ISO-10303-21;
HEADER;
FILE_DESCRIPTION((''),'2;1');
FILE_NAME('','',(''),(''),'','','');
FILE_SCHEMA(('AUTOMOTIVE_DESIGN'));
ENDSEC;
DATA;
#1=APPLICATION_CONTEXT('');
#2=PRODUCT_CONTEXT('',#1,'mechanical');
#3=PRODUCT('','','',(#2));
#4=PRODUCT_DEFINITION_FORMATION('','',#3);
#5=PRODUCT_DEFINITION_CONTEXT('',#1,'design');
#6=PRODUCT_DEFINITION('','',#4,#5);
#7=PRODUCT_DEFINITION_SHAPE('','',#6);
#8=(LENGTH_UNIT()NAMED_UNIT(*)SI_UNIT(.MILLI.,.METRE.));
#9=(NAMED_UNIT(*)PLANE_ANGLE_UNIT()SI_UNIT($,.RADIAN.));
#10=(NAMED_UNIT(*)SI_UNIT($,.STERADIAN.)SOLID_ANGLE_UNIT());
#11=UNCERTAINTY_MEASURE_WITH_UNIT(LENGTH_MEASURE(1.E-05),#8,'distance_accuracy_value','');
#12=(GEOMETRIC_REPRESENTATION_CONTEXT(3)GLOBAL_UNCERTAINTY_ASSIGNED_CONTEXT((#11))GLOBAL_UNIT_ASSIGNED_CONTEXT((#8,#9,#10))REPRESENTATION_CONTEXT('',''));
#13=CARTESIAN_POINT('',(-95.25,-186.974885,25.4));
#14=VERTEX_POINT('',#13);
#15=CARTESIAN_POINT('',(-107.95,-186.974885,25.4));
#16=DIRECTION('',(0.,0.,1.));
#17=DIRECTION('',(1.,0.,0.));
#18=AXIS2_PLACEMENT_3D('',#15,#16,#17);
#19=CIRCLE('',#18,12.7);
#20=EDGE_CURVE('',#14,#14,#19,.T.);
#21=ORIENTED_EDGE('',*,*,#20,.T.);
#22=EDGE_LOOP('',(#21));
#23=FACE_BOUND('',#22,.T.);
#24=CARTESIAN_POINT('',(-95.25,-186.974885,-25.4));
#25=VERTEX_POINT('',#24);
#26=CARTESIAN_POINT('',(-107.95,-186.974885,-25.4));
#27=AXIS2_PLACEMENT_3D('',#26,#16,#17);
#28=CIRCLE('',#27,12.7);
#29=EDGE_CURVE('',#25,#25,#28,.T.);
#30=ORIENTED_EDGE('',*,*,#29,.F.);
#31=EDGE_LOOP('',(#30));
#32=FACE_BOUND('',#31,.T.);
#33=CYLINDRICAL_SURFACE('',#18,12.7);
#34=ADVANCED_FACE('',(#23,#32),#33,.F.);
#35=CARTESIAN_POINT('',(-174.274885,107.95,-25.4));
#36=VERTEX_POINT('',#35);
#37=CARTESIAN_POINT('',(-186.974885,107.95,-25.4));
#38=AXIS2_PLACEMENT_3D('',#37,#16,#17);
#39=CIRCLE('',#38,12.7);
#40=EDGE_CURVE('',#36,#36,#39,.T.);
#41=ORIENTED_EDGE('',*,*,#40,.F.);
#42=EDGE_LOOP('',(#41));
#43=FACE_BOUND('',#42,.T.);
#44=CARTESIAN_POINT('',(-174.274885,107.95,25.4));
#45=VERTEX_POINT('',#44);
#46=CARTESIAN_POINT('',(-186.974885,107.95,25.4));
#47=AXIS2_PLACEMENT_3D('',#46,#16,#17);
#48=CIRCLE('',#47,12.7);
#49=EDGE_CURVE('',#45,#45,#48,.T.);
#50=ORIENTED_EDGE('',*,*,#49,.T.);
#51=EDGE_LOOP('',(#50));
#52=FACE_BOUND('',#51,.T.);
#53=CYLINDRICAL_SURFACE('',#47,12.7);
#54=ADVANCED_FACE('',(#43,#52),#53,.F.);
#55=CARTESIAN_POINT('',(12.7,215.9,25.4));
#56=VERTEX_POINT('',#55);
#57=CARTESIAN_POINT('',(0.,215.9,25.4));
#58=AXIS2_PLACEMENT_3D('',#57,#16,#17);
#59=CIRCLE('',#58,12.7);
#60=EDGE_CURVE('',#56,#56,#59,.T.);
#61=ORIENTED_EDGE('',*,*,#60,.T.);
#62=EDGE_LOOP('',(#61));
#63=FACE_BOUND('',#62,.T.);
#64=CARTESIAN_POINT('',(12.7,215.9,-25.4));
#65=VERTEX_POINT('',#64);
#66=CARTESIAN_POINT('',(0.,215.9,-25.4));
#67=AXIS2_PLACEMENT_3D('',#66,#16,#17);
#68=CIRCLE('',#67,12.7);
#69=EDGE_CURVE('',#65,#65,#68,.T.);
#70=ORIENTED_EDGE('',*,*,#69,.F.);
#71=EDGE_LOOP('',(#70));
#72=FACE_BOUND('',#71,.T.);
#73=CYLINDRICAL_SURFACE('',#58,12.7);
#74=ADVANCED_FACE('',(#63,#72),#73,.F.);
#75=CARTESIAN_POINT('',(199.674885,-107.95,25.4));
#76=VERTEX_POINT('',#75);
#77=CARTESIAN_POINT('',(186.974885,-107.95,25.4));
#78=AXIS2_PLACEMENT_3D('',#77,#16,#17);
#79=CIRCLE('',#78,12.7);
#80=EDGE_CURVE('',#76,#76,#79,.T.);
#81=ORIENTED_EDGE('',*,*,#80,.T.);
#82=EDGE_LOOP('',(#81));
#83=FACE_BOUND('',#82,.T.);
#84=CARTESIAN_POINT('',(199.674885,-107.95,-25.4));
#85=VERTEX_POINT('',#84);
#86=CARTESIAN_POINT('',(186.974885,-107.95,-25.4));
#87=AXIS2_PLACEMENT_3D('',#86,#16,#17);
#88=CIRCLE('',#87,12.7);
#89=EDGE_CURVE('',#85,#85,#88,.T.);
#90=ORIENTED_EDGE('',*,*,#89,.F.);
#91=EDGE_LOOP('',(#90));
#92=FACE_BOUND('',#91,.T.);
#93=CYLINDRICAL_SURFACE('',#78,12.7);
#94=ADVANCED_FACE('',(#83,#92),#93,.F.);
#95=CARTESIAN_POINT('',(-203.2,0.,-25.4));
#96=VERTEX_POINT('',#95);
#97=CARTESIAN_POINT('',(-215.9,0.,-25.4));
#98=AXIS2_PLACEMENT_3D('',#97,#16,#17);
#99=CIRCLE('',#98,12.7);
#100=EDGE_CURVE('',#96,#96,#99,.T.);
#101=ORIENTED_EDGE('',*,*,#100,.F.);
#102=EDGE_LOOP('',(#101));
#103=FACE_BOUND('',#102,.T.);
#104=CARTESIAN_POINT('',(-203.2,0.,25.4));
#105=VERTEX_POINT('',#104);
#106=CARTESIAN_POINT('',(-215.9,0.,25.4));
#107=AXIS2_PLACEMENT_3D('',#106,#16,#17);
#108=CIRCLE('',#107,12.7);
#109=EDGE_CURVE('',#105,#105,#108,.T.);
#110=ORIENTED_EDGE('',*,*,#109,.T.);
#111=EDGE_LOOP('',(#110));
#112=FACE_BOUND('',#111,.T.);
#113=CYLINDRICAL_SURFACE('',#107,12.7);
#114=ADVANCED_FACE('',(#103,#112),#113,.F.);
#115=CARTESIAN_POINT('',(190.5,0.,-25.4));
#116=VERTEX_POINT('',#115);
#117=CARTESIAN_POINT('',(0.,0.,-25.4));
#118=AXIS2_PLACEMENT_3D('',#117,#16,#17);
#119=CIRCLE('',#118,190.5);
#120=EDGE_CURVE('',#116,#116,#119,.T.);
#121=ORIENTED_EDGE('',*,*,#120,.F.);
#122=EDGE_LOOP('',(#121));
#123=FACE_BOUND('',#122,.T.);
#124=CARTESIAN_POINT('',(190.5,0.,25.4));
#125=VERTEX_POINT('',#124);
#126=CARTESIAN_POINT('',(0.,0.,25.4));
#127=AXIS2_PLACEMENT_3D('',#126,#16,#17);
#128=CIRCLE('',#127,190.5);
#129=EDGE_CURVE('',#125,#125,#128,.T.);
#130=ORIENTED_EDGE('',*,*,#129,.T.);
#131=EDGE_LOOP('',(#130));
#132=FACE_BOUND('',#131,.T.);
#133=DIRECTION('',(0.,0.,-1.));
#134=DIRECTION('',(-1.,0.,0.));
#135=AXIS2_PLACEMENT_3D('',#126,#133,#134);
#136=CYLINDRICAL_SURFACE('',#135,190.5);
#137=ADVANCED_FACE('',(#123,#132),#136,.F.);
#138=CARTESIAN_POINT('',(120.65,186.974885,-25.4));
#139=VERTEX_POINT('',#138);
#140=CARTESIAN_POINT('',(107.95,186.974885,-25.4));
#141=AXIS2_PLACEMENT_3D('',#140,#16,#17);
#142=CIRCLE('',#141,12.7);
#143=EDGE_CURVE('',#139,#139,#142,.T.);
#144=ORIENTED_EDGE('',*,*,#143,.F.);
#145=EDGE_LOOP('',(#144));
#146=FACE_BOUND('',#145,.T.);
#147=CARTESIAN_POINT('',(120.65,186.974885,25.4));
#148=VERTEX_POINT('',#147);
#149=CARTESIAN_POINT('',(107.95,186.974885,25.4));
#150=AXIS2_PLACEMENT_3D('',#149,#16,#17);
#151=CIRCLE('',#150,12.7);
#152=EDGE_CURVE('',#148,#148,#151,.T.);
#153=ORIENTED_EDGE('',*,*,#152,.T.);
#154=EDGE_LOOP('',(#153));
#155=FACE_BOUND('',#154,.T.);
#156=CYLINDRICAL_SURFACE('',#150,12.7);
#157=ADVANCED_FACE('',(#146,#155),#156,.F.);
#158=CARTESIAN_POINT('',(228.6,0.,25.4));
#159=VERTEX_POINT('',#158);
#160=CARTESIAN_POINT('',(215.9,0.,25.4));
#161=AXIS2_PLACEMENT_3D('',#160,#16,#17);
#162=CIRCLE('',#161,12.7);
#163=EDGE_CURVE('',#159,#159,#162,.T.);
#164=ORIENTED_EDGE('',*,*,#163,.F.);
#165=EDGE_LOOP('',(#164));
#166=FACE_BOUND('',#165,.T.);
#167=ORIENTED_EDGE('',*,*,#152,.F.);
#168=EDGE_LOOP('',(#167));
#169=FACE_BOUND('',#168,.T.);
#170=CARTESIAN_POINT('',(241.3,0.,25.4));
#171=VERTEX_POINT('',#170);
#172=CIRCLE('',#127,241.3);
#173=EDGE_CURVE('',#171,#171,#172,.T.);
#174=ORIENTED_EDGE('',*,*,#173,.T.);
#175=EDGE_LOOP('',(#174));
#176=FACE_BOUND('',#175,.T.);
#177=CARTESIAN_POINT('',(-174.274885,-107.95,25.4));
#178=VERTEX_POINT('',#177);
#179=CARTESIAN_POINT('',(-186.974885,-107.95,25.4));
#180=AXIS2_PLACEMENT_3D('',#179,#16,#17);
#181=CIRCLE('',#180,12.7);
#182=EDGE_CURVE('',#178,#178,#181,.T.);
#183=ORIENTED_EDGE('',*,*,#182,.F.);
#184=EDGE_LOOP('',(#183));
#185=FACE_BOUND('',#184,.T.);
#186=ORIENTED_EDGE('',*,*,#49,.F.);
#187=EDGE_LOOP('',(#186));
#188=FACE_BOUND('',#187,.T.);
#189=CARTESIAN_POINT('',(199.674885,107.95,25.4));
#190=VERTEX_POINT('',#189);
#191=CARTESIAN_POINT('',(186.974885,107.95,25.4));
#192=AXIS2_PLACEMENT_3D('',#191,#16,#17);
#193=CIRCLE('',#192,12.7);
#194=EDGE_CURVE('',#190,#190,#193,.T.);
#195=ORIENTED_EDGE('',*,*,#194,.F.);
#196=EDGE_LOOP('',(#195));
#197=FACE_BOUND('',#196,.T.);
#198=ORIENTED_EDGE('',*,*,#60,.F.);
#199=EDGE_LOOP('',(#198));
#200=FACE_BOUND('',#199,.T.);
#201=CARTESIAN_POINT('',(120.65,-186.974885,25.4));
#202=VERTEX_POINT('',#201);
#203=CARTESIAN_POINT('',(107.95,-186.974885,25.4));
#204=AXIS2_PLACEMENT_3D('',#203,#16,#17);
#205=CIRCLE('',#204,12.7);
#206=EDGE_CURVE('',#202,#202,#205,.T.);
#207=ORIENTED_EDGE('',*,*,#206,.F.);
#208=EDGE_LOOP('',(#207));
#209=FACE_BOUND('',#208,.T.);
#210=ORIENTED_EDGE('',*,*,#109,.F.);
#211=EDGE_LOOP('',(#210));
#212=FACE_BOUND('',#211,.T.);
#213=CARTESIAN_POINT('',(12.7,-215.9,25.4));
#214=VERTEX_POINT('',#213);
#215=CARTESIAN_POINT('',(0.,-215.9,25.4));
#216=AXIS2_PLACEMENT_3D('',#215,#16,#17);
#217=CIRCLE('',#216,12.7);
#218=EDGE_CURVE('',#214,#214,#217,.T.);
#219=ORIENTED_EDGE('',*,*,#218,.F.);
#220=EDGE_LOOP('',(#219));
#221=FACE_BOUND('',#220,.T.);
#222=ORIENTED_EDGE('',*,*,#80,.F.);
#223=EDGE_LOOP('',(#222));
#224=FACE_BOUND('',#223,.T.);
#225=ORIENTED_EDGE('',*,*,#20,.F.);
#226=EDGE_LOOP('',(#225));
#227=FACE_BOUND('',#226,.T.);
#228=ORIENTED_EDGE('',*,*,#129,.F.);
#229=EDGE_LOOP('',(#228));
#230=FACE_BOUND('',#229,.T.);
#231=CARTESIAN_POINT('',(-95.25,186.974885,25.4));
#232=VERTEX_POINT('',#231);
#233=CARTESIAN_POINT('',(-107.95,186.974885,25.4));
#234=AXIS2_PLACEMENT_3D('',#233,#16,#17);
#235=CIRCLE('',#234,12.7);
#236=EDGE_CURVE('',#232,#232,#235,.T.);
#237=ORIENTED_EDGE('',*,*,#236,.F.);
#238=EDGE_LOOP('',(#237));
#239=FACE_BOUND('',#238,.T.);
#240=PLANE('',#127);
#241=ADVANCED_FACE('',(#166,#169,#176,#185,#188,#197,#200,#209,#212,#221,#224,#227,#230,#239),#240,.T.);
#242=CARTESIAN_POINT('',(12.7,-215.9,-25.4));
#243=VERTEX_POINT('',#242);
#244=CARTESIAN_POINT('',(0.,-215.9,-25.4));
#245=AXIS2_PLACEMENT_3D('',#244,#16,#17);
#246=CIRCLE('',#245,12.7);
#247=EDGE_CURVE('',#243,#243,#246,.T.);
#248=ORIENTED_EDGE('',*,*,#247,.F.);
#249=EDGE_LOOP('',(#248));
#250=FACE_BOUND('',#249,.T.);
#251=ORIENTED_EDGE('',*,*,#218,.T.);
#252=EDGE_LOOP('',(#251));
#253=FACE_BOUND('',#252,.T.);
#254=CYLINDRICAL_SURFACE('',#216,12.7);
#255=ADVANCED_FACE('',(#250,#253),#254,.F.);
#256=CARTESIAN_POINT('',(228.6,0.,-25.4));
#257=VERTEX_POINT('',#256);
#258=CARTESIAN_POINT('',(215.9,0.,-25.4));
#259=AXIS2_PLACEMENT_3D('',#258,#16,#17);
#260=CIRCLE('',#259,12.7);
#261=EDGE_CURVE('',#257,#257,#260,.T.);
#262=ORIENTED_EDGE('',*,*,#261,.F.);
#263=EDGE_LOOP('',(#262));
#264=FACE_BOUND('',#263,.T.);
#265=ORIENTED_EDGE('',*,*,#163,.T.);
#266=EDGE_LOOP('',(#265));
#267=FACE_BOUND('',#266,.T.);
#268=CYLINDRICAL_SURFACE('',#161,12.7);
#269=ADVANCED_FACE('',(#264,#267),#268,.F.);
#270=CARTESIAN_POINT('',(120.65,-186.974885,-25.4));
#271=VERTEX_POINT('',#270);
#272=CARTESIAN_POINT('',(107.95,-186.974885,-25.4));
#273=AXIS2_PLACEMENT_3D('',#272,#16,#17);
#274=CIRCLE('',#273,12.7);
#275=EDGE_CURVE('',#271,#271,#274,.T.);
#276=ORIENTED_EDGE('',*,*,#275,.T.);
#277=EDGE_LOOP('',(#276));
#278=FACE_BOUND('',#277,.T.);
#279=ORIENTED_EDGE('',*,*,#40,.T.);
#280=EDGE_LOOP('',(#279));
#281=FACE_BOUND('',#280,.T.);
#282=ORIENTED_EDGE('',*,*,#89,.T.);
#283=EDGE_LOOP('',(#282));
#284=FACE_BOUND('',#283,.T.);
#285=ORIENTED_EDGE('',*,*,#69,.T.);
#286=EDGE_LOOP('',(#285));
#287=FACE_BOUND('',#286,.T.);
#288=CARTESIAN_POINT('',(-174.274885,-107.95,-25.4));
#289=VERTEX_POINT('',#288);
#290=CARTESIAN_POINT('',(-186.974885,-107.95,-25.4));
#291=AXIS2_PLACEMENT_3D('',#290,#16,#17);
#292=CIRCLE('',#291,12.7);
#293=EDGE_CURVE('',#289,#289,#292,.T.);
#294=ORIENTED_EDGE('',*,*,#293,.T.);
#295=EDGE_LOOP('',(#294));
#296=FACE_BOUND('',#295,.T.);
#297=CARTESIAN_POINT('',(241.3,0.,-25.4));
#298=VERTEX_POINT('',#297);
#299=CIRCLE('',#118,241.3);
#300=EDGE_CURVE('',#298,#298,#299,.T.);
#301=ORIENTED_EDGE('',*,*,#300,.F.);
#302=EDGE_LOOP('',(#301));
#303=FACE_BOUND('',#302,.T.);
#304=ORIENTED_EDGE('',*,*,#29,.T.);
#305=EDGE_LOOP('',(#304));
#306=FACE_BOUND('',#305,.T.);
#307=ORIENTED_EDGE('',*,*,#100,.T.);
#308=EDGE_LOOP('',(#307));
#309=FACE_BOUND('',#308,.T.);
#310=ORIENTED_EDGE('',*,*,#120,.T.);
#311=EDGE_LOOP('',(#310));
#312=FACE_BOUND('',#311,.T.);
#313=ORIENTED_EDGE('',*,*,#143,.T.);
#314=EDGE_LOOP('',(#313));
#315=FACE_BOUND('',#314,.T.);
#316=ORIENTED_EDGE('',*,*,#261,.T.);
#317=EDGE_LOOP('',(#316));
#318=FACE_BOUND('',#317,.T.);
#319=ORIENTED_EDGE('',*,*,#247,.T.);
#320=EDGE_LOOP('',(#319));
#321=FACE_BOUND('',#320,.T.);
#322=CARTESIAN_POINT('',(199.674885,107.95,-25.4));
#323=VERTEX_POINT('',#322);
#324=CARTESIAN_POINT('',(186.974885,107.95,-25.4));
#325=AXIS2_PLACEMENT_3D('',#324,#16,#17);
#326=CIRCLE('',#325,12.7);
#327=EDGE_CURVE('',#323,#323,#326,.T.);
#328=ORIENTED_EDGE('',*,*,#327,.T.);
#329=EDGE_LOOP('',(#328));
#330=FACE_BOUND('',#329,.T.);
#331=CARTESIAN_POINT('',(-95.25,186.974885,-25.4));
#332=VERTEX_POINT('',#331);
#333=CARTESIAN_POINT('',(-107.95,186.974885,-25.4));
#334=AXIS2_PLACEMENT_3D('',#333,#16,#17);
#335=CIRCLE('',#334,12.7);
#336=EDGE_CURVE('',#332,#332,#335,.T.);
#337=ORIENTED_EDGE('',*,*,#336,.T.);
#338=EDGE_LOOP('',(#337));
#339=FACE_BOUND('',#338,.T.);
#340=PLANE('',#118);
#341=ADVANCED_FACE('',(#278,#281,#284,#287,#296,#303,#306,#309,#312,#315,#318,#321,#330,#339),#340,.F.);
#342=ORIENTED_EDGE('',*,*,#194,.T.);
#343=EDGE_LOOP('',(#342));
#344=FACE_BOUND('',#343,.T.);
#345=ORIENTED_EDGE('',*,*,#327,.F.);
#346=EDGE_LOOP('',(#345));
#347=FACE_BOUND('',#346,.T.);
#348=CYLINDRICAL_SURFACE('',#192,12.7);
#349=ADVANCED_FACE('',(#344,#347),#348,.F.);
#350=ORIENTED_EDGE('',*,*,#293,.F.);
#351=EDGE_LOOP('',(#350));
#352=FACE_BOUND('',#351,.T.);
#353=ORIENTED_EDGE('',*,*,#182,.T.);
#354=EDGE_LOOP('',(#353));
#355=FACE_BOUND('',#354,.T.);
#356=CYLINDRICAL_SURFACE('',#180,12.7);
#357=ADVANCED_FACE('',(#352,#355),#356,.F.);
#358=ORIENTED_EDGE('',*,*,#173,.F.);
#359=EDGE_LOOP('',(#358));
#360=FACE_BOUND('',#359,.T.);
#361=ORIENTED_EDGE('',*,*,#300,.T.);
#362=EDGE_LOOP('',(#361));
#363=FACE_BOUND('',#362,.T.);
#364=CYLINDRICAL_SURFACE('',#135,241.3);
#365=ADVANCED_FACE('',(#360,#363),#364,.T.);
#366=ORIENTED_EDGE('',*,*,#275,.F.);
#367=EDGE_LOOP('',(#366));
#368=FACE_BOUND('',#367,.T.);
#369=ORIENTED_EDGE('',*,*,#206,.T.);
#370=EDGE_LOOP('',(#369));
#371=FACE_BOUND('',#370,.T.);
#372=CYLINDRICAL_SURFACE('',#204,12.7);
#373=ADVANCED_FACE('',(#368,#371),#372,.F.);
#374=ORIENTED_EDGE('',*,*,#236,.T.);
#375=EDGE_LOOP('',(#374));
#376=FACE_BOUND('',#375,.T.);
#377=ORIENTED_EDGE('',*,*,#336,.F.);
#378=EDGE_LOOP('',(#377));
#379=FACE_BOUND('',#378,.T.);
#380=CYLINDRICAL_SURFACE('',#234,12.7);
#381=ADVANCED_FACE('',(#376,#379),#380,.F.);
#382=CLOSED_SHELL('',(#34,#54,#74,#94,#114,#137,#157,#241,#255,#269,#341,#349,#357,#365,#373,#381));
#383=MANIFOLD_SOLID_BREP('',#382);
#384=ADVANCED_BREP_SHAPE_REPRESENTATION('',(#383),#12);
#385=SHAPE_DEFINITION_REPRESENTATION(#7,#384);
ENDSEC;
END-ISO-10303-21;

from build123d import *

# Parameters (mm, degrees)
SKETCH1_R              = 241.3
SKETCH1_R_2            = 190.5
BOSS_EXTRUDE1_DEPTH    = 25.4
F_1_1_DIAMETER_HOLE1_D = 25.4
CIRPATTERN1_COUNT      = 12


with BuildPart() as part:
    # Sketch1 → Boss-Extrude1 (new body, symmetric)
    with BuildSketch(Plane.XY):
        Circle(SKETCH1_R)
        Circle(SKETCH1_R_2, mode=Mode.SUBTRACT)
    extrude(amount=BOSS_EXTRUDE1_DEPTH, both=True)

    # 1 (1) Diameter Hole1 (through all)
    with Locations(Plane.XY.offset(25.4)):
        with Locations((215.9, 0)):
            f_1_1_diameter_hole1 = Hole(F_1_1_DIAMETER_HOLE1_D / 2)

    # CirPattern1: 1 (1) Diameter Hole1 ×12 about axis
    cirpattern1_axis = Axis((0, 0, 0), (0, 0, 1))
    for i in range(1, CIRPATTERN1_COUNT):
        add(f_1_1_diameter_hole1.rotate(cirpattern1_axis, i * 360 / CIRPATTERN1_COUNT), mode=Mode.SUBTRACT)


solid = part.part
